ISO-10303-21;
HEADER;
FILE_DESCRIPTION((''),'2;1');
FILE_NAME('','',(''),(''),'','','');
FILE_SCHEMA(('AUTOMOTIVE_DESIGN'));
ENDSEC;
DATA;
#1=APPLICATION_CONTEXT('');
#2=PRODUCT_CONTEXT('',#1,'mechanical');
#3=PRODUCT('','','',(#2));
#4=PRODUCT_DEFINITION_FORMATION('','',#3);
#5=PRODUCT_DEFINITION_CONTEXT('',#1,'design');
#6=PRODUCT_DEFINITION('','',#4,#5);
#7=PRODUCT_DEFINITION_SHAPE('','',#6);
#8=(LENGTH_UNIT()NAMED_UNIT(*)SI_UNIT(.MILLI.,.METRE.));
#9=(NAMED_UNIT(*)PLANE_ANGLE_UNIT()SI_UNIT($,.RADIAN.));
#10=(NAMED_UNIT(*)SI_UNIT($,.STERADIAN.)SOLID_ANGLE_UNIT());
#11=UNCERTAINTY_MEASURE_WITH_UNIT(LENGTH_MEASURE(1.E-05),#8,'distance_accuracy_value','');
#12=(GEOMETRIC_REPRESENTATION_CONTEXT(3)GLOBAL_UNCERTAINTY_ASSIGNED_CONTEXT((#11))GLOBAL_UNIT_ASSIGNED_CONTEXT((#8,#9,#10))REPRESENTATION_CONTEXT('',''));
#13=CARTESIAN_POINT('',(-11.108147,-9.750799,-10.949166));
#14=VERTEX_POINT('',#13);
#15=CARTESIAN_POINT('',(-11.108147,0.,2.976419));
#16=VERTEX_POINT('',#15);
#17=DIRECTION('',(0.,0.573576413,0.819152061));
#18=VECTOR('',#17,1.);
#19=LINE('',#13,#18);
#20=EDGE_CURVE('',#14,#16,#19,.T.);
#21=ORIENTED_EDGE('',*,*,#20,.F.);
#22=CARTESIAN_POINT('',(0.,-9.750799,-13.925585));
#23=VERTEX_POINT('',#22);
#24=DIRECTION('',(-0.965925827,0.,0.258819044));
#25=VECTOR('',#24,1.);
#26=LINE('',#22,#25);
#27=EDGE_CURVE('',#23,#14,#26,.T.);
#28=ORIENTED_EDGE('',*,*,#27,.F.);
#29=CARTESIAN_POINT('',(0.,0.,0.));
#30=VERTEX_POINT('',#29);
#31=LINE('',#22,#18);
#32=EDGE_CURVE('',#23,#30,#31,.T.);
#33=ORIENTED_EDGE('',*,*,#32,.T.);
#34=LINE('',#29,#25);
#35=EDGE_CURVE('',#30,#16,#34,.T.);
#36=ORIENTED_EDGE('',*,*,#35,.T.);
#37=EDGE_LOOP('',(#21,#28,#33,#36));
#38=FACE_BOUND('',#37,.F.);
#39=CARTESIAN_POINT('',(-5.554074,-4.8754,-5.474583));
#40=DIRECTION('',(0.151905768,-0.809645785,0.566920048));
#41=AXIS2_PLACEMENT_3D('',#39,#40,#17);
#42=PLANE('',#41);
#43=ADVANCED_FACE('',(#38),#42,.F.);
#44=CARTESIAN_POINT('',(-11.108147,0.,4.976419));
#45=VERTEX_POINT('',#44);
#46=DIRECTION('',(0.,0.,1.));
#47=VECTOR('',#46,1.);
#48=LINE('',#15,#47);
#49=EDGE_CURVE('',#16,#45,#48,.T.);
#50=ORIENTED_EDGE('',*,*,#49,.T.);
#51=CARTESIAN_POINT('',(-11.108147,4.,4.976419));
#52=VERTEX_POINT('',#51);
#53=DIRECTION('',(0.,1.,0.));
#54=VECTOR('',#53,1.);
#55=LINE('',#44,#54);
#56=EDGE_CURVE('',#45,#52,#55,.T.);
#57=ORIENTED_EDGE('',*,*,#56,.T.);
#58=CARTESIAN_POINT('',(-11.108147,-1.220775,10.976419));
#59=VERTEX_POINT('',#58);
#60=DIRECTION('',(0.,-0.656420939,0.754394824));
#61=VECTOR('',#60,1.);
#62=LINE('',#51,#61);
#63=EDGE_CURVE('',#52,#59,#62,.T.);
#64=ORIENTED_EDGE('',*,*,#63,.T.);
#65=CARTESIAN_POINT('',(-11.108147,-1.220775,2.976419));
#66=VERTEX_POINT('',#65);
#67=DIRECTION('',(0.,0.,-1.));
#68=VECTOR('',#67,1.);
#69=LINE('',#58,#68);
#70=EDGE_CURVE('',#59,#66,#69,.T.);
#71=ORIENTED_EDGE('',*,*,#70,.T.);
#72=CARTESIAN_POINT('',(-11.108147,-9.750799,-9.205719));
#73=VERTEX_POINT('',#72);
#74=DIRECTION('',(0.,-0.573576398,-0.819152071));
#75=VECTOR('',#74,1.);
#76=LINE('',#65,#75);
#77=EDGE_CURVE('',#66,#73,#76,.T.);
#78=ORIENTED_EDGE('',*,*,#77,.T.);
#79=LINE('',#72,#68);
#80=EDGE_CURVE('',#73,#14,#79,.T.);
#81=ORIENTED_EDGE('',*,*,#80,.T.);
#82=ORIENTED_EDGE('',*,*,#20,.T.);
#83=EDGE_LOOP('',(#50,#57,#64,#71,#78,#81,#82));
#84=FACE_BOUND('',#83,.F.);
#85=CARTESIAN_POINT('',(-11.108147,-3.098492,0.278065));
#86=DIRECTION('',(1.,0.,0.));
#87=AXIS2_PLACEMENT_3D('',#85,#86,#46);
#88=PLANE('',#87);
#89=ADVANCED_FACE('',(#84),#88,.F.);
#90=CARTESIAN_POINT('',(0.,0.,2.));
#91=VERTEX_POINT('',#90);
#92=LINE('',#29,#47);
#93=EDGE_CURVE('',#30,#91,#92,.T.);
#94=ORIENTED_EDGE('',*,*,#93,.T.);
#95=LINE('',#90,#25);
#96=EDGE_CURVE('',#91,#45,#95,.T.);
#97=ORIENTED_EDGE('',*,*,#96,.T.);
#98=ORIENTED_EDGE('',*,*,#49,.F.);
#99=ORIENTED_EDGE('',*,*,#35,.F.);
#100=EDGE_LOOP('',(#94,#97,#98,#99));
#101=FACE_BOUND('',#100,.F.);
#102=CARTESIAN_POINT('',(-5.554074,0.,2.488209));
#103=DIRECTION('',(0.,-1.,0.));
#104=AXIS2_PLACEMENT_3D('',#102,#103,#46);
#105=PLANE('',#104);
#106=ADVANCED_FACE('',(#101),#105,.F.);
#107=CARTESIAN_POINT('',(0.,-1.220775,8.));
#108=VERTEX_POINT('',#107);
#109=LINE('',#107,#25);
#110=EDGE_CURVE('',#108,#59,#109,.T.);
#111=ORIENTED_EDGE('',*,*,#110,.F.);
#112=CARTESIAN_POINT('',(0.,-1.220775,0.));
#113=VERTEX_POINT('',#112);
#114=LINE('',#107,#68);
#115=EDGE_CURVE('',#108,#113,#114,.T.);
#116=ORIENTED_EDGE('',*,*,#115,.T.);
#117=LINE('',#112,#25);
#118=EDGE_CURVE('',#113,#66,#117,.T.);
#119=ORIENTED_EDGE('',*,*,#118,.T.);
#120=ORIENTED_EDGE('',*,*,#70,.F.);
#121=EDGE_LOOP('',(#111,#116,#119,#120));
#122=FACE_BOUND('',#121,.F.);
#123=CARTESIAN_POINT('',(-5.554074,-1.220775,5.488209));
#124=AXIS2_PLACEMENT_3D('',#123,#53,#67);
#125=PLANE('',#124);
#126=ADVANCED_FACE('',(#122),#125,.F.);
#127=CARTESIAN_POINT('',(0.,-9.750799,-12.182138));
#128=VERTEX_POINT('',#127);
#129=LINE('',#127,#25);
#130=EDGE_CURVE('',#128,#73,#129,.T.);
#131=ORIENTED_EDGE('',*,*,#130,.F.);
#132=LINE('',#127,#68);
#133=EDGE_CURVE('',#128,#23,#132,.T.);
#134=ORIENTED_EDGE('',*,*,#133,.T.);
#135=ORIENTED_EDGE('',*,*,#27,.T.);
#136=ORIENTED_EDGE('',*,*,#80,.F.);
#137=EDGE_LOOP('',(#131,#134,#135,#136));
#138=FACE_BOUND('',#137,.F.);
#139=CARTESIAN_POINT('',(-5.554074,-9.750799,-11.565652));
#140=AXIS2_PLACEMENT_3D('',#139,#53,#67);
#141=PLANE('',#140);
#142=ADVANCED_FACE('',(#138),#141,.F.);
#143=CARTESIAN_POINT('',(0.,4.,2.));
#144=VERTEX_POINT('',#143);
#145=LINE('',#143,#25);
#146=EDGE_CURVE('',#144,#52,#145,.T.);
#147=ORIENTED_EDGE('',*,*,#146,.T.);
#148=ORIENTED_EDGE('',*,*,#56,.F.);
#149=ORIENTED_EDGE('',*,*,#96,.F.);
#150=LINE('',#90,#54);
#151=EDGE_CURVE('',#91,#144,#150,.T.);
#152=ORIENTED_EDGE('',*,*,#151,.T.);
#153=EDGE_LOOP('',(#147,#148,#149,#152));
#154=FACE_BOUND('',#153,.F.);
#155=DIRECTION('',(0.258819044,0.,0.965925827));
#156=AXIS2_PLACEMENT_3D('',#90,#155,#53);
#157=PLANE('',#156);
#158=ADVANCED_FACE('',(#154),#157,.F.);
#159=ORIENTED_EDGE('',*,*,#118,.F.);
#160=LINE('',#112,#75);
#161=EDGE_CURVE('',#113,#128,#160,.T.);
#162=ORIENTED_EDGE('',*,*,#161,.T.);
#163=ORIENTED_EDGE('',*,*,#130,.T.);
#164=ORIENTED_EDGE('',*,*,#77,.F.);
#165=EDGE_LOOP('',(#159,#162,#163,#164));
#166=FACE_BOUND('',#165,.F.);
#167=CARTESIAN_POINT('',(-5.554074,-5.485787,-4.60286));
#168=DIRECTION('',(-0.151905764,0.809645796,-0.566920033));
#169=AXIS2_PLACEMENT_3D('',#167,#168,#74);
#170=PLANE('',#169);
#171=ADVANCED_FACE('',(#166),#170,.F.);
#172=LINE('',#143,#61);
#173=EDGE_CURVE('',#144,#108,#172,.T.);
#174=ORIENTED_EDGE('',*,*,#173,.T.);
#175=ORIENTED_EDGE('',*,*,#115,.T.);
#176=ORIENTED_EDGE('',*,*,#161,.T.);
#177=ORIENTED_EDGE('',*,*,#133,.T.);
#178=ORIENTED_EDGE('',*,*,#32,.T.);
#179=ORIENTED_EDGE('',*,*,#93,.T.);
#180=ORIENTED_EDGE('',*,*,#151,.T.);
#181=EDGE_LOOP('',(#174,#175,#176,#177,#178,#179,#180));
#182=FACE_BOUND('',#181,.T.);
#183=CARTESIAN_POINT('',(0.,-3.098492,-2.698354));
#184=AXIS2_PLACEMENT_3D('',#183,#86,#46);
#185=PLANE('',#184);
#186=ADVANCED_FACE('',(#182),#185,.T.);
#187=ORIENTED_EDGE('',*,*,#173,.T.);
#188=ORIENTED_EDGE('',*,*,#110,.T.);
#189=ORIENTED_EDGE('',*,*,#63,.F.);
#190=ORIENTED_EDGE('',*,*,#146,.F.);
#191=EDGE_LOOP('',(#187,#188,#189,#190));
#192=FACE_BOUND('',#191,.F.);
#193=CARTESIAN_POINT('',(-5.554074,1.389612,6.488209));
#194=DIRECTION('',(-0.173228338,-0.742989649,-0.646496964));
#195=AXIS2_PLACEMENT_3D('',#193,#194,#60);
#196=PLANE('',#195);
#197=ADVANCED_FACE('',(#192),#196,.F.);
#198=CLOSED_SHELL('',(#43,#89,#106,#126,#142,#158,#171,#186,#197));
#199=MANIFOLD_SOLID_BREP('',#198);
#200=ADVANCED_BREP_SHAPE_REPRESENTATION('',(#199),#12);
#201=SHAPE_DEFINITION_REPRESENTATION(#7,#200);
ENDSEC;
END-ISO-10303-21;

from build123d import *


with BuildPart() as f3:
    # F3: sweep along a path in F2
    with BuildLine(Plane(origin=(0, -1.220775, 0), x_dir=(-1, 0, 0), z_dir=(0, 1, 0))) as f3_path:
        Line((0, 8), (11.108147, 10.976419))
    # F0 (on Right) → F3 (sweep)
    with BuildSketch(Plane.YZ):
        Polygon((-9.750799, -13.925585), (0, 0), (0, 2), (4, 2), (-1.220775, 8), (-1.220775, 2), (-1.220775, 0), (-9.750799, -12.182138), align=None)
    sweep(path=f3_path.line)


solid = f3.part
